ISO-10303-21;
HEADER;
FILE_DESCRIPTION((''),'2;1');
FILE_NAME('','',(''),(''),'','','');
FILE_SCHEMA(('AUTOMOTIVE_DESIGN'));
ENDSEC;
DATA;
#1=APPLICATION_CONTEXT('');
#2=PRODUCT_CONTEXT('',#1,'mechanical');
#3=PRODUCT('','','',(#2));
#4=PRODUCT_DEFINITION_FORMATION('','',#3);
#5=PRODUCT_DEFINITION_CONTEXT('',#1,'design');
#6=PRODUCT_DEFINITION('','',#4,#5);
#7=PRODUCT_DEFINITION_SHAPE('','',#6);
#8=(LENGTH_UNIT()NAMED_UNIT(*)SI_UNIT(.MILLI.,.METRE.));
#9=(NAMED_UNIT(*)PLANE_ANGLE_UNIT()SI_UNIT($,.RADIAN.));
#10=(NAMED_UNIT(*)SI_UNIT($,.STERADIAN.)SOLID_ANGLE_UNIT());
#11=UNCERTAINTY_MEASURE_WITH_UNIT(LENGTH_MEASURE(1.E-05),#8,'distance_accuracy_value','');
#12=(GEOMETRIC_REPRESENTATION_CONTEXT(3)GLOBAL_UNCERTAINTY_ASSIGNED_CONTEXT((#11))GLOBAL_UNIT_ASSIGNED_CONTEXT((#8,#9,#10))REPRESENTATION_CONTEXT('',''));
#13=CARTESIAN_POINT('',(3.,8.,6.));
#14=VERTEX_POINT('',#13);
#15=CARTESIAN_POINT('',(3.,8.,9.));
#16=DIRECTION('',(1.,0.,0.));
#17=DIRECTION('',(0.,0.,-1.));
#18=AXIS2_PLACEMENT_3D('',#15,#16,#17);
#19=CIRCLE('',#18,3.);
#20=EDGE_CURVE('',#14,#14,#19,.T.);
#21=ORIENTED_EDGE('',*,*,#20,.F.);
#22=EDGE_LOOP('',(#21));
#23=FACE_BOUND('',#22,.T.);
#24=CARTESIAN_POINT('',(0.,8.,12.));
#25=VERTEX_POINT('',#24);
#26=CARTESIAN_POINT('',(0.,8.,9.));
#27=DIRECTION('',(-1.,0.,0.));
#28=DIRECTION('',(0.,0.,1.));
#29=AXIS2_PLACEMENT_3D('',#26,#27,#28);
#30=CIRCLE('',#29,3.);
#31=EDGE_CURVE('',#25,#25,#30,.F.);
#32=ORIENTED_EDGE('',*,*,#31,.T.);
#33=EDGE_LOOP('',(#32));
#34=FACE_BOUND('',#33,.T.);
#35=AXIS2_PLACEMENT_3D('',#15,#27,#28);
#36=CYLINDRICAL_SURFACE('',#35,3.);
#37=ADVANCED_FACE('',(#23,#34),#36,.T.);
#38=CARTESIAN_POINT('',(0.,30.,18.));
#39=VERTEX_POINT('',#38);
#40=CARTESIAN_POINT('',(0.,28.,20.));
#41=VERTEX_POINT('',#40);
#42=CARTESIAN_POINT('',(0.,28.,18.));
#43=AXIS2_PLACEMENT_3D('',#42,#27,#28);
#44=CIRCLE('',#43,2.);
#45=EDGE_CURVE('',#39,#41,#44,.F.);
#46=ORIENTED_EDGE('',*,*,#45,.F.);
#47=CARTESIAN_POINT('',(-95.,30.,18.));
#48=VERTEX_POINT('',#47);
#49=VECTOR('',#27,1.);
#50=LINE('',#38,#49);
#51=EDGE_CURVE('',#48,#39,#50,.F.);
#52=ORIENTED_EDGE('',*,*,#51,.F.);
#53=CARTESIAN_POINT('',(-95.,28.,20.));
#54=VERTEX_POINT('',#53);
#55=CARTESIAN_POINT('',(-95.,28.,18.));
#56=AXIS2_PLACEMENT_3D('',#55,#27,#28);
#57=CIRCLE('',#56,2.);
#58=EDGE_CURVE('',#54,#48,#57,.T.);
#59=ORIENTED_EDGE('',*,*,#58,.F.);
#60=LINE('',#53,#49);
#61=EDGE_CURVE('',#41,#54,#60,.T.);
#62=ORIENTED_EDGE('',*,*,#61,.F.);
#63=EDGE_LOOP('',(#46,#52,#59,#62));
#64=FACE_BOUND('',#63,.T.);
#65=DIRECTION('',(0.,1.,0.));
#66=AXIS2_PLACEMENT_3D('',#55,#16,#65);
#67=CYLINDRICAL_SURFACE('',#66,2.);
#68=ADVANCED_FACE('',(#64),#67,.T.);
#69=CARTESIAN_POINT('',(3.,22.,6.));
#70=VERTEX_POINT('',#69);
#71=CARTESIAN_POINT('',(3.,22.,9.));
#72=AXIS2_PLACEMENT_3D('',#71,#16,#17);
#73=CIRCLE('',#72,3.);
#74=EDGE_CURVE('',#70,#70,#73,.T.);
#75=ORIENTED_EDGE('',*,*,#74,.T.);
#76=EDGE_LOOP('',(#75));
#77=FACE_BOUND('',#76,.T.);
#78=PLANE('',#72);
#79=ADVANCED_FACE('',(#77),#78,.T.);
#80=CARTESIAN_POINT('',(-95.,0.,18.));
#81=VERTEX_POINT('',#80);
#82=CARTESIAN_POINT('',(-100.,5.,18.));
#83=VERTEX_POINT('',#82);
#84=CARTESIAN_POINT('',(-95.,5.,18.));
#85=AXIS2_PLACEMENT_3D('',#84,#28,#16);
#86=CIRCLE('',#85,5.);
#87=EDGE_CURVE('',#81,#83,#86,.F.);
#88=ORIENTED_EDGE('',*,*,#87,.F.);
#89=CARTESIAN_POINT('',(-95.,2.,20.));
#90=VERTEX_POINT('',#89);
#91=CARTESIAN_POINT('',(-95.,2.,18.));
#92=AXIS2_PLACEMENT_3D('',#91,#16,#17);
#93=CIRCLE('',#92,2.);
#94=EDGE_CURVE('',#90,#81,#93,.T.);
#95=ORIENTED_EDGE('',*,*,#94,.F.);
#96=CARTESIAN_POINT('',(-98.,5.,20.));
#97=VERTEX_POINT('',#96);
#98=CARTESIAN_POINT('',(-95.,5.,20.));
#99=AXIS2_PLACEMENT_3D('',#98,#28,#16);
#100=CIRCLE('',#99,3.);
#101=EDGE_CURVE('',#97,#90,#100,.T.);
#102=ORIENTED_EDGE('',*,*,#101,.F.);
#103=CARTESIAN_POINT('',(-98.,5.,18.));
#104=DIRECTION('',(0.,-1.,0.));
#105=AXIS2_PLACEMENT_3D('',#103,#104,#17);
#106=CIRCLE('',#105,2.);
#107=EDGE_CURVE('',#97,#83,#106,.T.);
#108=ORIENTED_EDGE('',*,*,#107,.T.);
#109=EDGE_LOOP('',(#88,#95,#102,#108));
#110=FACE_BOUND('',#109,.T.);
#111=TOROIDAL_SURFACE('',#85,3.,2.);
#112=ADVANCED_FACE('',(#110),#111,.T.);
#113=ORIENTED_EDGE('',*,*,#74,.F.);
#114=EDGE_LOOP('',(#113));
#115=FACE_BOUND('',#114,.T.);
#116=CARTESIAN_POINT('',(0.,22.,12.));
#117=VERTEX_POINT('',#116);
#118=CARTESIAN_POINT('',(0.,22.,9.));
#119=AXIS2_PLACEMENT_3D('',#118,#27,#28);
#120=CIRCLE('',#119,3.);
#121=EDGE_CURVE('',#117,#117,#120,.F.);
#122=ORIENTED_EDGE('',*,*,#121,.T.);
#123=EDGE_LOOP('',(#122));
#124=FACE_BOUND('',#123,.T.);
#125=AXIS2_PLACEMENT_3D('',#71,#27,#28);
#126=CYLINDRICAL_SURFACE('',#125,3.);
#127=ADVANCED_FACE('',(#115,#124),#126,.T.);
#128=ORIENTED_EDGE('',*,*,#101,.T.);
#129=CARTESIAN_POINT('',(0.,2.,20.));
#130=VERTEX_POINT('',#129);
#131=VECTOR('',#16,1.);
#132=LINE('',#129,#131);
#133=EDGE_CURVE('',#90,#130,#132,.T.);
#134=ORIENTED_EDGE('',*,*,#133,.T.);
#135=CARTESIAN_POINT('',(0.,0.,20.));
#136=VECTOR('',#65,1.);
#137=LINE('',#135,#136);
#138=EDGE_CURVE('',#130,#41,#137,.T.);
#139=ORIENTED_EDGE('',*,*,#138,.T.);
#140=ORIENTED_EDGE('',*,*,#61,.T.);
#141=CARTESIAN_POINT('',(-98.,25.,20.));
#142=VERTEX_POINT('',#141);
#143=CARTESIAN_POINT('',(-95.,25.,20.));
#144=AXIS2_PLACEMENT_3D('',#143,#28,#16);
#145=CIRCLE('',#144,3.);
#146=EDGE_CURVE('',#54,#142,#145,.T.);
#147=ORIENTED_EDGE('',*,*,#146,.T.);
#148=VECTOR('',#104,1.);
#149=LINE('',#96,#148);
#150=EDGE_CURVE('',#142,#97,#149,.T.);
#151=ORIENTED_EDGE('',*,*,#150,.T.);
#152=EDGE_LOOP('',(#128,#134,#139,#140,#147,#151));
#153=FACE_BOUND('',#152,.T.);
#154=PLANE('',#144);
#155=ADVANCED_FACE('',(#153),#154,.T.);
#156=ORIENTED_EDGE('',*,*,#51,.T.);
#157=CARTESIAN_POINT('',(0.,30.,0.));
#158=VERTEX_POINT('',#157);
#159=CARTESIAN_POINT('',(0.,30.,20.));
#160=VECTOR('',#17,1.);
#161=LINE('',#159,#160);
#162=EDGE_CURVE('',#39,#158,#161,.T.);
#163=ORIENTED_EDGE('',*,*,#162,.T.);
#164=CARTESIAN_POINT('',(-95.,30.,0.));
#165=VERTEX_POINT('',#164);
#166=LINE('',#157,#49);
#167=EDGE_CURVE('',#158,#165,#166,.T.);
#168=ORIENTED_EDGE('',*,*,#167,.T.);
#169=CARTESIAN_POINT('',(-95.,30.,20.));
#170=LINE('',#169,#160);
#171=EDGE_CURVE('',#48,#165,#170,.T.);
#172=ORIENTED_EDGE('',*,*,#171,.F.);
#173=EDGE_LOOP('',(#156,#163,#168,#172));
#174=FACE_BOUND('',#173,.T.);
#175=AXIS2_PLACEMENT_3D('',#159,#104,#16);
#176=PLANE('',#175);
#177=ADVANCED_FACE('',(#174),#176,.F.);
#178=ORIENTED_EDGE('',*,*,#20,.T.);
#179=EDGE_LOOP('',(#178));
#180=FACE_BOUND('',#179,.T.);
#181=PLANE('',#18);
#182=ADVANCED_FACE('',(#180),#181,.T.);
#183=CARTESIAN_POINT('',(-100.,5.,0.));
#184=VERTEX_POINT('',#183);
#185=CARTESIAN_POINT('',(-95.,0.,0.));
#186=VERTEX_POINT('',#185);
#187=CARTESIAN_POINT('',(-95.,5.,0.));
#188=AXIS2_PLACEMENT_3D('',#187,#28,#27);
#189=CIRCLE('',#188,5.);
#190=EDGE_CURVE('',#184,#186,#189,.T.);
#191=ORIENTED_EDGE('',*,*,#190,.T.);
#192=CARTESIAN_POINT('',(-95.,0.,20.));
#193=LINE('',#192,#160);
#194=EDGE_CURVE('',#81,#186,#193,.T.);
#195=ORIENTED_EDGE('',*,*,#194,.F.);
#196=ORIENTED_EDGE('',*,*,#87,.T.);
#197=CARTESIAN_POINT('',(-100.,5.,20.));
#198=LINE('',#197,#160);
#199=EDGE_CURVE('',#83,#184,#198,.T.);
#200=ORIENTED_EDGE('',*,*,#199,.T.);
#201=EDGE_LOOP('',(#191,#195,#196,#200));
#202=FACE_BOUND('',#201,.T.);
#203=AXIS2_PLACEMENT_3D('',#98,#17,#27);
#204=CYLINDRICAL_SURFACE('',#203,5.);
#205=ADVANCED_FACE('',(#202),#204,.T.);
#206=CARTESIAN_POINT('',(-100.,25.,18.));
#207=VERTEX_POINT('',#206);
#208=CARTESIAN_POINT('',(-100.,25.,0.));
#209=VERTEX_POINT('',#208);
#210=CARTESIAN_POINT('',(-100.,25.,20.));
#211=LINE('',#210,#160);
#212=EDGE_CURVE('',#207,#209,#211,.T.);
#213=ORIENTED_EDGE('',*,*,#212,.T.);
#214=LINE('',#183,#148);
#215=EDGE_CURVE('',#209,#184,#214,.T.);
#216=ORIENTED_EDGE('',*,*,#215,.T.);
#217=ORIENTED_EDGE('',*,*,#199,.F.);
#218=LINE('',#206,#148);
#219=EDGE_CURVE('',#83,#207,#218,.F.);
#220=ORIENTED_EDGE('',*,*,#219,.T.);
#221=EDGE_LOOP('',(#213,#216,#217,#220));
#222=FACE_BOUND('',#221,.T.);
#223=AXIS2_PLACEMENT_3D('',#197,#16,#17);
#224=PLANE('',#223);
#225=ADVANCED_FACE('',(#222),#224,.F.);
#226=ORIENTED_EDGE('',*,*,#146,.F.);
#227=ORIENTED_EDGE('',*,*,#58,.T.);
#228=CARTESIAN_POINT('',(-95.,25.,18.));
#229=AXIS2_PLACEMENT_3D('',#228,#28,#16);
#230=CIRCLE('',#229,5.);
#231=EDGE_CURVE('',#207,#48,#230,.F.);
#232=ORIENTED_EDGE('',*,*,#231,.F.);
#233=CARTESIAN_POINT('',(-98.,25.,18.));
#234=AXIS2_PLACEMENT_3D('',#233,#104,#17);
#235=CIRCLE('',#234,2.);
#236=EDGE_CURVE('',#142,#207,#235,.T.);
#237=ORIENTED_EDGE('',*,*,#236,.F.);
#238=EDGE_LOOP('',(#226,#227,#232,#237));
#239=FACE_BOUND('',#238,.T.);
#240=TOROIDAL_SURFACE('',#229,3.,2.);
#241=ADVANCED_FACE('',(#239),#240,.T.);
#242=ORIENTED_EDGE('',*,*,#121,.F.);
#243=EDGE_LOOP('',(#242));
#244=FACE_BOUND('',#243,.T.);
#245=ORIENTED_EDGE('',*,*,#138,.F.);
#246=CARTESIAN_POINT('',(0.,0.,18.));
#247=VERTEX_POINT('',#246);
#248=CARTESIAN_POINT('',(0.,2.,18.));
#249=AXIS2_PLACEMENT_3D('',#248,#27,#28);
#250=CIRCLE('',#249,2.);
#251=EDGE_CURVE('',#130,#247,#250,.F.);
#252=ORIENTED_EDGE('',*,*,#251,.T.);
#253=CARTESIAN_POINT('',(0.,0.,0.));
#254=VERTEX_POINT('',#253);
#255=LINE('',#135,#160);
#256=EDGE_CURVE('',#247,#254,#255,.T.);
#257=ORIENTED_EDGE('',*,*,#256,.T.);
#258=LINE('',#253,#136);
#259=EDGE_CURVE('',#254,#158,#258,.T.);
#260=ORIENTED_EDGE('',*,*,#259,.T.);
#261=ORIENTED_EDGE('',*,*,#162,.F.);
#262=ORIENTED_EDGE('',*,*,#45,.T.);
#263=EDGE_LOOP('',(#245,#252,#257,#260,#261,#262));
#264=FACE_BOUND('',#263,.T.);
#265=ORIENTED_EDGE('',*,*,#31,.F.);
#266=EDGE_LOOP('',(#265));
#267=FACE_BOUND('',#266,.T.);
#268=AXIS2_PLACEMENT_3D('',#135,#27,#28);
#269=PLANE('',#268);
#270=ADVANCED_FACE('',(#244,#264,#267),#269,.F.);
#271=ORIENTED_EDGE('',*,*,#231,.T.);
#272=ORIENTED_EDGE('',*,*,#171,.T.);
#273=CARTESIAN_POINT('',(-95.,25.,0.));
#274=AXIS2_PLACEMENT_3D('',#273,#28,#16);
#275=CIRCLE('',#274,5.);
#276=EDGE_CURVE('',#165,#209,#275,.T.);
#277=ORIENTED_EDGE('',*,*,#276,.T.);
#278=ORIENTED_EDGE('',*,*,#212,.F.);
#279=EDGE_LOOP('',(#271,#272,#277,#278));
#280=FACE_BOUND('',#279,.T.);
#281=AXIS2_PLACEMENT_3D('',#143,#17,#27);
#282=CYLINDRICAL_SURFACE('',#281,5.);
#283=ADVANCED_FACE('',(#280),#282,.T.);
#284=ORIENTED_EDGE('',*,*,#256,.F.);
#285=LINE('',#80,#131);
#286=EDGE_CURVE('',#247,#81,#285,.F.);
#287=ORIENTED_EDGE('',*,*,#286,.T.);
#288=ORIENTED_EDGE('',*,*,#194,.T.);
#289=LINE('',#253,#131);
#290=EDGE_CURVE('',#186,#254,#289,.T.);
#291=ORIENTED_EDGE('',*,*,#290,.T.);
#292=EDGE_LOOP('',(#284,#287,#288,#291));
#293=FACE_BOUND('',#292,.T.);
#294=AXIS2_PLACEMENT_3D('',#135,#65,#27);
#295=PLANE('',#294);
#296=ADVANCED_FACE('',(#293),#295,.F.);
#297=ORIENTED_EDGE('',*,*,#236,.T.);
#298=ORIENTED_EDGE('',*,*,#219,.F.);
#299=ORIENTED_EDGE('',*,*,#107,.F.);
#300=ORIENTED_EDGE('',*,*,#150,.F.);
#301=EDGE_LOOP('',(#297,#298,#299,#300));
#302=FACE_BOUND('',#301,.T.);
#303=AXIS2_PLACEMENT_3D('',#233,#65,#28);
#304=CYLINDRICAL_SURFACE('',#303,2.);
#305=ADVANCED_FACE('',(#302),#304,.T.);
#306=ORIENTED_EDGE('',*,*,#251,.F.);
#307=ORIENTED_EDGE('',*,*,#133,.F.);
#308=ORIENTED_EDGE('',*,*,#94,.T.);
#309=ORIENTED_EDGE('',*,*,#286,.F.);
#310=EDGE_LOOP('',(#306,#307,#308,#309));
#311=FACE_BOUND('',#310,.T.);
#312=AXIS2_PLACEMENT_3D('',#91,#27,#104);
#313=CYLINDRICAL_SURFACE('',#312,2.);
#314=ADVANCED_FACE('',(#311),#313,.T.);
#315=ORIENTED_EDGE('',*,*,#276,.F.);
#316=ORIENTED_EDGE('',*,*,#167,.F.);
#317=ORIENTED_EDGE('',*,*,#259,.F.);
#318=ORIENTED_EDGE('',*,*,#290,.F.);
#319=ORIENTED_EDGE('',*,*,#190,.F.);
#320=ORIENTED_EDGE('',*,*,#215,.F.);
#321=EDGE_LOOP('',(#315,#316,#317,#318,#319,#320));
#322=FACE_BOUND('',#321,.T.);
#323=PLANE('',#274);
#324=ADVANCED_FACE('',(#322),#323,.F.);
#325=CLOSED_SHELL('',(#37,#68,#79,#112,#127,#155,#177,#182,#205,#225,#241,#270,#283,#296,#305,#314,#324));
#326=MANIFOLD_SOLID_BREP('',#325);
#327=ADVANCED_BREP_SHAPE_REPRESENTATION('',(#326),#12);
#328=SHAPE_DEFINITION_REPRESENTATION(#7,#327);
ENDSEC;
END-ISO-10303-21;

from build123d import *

# Parameters (mm, degrees)
BOSS_EXTRUDE1_DEPTH = 20
SKETCH3_R           = 3
BOSS_EXTRUDE3_DEPTH = 3
FILLET2_R           = 2


with BuildPart() as part:
    # Sketch1 → Boss-Extrude1 (new body)
    with BuildSketch(Plane.XY):
        with BuildLine():
            Line((0, 0), (-95, 0))
            ThreePointArc((-95, 0), (-98.535533906, 1.464466094), (-100, 5))
            Line((-100, 5), (-100, 25))
            ThreePointArc((-100, 25), (-98.535533906, 28.535533906), (-95, 30))
            Line((-95, 30), (0, 30))
            Line((0, 30), (0, 0))
        make_face()
    extrude(amount=BOSS_EXTRUDE1_DEPTH)

    # Sketch3 → Boss-Extrude3 (add)
    with BuildSketch(Plane(origin=(0, 0, 0), x_dir=(0, 0, -1), z_dir=(1, 0, 0))):
        with Locations(Location((-9, 22, 0), (0, 0, 180))):
            Circle(SKETCH3_R)
        with Locations(Location((-9, 8, 0), (0, 0, 180))):
            Circle(SKETCH3_R)
    extrude(amount=BOSS_EXTRUDE3_DEPTH)

    # Fillet2
    fillet2_edges = [part.edges().sort_by_distance(p)[0] for p in [
        (-98.535533906, 28.535533906, 20),
        (-100, 15, 20),
        (-98.535533906, 1.464466094, 20),
        (-47.5, 0, 20),
        (-47.5, 30, 20),
    ]]
    fillet(fillet2_edges, radius=FILLET2_R)


solid = part.part
